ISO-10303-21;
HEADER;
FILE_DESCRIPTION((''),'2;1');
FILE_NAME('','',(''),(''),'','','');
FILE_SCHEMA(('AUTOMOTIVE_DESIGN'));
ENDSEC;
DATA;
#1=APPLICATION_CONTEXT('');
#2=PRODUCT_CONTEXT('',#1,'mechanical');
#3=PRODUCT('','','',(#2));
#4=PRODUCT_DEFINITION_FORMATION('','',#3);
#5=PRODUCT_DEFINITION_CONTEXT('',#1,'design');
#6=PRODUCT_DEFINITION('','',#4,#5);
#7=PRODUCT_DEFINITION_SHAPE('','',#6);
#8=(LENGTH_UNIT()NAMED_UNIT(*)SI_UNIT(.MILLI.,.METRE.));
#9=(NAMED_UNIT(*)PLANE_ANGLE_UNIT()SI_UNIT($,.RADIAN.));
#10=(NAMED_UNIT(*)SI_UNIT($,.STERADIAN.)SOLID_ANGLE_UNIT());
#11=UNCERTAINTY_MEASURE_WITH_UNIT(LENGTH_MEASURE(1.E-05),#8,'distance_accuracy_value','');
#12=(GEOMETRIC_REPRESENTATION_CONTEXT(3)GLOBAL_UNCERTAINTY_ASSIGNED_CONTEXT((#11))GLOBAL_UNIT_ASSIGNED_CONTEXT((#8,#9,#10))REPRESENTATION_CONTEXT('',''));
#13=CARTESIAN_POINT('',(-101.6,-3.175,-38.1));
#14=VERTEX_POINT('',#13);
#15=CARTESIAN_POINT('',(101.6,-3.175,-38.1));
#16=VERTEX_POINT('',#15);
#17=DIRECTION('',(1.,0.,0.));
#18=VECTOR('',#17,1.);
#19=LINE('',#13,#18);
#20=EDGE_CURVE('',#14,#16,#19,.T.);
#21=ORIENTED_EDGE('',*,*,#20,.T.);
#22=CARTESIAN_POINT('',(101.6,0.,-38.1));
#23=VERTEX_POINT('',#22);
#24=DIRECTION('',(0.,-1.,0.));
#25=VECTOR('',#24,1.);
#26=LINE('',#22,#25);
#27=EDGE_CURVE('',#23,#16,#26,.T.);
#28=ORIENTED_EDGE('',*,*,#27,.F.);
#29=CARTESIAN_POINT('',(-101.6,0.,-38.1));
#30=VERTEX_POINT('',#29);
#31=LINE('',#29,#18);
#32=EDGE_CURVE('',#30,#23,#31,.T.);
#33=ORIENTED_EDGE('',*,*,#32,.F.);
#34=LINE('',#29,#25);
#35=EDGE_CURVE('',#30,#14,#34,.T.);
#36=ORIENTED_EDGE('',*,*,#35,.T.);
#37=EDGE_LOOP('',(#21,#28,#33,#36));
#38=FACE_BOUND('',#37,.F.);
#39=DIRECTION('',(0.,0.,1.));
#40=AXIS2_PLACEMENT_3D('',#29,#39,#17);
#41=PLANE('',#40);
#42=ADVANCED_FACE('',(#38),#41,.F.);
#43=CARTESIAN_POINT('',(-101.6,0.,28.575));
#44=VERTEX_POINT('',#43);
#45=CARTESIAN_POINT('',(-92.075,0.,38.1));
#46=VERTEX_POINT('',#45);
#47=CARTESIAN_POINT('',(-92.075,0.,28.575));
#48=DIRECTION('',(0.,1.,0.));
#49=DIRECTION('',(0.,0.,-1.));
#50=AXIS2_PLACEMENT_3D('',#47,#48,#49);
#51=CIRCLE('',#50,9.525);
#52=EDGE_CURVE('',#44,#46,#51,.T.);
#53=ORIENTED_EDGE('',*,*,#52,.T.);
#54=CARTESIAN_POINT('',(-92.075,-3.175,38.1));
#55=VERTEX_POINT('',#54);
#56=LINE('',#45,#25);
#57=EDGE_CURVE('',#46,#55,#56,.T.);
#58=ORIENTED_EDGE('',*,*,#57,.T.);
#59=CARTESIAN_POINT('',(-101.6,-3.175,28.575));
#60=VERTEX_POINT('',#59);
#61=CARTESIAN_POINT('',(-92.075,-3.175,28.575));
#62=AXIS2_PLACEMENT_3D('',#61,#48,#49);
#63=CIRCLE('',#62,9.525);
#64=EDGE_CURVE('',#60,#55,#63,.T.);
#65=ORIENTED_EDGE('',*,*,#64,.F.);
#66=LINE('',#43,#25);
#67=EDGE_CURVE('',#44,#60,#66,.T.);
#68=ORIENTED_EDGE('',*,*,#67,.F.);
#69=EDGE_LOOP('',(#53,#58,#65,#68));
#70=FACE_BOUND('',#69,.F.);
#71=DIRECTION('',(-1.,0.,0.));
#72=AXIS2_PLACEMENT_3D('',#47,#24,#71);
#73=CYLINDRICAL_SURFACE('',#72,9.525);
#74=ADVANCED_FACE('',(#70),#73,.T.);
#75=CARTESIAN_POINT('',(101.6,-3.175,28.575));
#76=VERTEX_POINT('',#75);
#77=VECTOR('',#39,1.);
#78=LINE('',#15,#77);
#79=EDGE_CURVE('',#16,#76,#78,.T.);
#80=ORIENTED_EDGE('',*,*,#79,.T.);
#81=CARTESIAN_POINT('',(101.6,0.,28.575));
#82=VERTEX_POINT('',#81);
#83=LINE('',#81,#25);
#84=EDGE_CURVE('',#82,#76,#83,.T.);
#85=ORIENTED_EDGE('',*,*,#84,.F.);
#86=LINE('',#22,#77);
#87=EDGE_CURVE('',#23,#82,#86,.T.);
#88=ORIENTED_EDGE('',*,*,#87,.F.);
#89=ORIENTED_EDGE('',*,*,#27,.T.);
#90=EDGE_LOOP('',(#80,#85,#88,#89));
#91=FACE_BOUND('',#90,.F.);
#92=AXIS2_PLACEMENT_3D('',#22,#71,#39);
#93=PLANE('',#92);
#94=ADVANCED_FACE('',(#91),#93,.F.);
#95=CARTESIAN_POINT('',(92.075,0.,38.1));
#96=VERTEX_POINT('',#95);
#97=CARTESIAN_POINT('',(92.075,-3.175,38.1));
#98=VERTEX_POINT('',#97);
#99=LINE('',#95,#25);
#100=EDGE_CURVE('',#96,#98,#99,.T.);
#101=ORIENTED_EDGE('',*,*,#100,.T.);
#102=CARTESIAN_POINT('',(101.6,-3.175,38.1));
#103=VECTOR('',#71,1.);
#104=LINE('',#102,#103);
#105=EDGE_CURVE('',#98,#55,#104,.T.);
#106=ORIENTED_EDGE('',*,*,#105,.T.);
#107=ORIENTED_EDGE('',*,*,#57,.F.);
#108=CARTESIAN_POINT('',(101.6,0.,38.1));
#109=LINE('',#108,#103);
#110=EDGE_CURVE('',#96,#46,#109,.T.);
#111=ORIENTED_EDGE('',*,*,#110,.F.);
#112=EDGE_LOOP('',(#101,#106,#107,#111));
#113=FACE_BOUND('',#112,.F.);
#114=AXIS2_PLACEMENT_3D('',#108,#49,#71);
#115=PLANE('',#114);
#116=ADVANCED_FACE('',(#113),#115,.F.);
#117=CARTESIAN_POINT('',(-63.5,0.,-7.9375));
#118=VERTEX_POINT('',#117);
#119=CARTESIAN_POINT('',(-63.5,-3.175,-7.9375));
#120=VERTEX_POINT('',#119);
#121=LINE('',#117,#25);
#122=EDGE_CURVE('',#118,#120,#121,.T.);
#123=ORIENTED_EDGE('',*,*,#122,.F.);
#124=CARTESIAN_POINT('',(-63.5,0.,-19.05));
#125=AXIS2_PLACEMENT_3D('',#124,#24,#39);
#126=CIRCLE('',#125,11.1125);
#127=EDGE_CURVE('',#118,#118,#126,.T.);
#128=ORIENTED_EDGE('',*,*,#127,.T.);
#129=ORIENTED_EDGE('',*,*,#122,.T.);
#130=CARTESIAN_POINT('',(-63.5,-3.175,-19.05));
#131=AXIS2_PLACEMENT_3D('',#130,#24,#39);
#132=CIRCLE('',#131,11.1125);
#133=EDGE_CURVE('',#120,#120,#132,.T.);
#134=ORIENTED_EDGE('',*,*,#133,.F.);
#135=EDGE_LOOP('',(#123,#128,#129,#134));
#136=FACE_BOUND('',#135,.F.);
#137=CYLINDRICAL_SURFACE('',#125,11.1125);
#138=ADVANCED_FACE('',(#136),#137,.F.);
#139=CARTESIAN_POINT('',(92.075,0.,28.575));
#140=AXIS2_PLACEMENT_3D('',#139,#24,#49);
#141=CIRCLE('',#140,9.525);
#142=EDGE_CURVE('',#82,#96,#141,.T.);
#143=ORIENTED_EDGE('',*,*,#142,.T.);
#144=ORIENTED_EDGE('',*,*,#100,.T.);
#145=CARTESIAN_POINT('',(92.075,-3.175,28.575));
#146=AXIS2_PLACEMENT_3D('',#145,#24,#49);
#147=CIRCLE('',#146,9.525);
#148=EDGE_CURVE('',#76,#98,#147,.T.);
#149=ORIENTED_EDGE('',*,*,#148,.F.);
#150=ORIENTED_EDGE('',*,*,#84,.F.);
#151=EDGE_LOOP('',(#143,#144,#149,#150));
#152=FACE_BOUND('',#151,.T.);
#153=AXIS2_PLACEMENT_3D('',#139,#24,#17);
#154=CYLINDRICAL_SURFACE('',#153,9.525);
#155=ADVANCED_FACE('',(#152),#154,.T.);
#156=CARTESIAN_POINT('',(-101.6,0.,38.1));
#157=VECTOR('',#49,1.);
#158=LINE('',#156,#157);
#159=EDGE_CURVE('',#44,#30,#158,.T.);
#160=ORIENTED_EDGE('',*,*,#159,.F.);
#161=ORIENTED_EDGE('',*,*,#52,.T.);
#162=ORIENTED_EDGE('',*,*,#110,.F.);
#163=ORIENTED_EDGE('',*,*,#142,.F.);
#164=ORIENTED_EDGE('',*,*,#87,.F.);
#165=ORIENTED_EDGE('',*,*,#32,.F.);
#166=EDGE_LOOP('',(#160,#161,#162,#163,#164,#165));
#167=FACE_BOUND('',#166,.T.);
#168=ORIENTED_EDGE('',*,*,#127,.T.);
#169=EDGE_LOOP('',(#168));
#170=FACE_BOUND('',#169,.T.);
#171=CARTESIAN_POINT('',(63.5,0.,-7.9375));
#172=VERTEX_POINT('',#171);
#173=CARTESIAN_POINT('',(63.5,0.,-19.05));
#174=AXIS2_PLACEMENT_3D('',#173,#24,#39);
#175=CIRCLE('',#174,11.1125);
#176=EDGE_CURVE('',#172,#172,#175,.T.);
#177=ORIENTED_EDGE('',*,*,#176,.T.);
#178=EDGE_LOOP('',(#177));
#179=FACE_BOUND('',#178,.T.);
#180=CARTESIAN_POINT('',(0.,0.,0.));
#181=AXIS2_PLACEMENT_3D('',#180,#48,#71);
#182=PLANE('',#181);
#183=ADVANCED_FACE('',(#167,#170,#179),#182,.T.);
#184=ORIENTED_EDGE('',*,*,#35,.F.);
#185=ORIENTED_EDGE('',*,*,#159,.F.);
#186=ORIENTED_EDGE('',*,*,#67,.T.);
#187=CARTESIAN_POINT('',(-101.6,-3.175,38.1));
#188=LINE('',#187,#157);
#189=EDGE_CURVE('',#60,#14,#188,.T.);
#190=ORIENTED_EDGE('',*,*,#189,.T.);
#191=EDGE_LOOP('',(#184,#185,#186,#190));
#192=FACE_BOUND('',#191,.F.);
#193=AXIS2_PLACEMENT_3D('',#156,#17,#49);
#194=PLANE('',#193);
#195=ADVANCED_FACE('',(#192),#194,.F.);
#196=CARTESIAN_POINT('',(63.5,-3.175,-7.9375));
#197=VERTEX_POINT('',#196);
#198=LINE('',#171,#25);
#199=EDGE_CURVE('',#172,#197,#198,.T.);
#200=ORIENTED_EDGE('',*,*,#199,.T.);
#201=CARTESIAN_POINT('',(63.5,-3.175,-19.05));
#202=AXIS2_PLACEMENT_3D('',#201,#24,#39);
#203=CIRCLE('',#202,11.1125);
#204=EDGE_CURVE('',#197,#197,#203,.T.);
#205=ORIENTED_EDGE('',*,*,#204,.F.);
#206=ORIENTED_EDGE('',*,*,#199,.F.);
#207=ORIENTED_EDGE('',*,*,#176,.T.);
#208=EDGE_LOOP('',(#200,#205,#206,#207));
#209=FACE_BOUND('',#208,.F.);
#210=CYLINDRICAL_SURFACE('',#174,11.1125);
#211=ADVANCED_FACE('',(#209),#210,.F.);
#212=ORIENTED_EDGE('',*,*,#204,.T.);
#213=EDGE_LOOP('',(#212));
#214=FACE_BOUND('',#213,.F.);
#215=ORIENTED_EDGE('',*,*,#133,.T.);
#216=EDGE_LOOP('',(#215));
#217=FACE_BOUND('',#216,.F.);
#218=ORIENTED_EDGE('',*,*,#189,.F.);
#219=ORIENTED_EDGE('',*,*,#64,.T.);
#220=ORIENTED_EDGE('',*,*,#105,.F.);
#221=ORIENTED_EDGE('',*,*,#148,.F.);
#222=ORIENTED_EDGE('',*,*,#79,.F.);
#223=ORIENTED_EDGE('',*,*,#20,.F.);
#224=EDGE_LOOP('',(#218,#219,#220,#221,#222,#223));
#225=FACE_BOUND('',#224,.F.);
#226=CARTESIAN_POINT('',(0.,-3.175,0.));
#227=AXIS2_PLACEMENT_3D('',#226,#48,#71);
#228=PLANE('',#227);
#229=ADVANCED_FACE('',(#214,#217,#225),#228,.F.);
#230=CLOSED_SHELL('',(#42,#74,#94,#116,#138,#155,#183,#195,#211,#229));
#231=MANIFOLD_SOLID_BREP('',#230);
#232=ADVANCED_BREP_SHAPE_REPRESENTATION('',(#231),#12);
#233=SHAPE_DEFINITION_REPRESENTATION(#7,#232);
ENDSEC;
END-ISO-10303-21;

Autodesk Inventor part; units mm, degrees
ref_plane "YZ Plane" through (0, 0, 0) normal (1, 0, 0) x (0, 1, 0)
ref_plane "XZ Plane" through (0, 0, 0) normal (0, 1, 0) x (-1, 0, 0)
ref_plane "XY Plane" through (0, 0, 0) normal (0, 0, 1) x (1, 0, 0)
sketch "Sketch1" plane through (0, 0, 0) normal (0, 1, 0) x (-1, 0, 0)
  line L0 (101.6, -38.1) -> (-101.6, -38.1)
  line L1 (-101.6, -38.1) -> (-101.6, 38.1)
  line L2 (-101.6, 38.1) -> (101.6, 38.1)
  line L3 (101.6, 38.1) -> (101.6, -38.1)
  line L4 (101.6, -38.1) -> (-101.6, 38.1) construction
  line L5 (-101.6, -38.1) -> (101.6, 38.1) construction
  point P0 (0, 0)
  dimension "d0" = 203.2
  dimension "d1" = 76.2
extrude "Extrusion1" add sketch "Sketch1" against normal blind 3.175
sketch "Sketch2" plane through (0, 0, 0) normal (0, 1, 0) x (1, 0, 0)
  line L0 (-101.6, 38.1) -> (101.6, 38.1) construction
  line L1 (0, 38.1) -> (0, -38.1) construction
  line L2 (101.6, -38.1) -> (-101.6, -38.1) construction
  point P0 (0, 0)
  point P1 (-63.5, 19.05)
  point P2 (0, 0)
  point P3 (63.5, 19.05)
  dimension "d4" = 19.05
  dimension "d5" = 63.5
hole "Hole1" at (-63.5, 0, -19.05) at (63.5, 0, -19.05) direction (0, -1, 0) diameter 22.225 end through all
fillet "Fillet1" radius 9.525 2 edges at (101.6, -1.5875, 38.1) (-101.6, -1.5875, 38.1)
properties part number "GP2-002" material "Aluminum 6061"
